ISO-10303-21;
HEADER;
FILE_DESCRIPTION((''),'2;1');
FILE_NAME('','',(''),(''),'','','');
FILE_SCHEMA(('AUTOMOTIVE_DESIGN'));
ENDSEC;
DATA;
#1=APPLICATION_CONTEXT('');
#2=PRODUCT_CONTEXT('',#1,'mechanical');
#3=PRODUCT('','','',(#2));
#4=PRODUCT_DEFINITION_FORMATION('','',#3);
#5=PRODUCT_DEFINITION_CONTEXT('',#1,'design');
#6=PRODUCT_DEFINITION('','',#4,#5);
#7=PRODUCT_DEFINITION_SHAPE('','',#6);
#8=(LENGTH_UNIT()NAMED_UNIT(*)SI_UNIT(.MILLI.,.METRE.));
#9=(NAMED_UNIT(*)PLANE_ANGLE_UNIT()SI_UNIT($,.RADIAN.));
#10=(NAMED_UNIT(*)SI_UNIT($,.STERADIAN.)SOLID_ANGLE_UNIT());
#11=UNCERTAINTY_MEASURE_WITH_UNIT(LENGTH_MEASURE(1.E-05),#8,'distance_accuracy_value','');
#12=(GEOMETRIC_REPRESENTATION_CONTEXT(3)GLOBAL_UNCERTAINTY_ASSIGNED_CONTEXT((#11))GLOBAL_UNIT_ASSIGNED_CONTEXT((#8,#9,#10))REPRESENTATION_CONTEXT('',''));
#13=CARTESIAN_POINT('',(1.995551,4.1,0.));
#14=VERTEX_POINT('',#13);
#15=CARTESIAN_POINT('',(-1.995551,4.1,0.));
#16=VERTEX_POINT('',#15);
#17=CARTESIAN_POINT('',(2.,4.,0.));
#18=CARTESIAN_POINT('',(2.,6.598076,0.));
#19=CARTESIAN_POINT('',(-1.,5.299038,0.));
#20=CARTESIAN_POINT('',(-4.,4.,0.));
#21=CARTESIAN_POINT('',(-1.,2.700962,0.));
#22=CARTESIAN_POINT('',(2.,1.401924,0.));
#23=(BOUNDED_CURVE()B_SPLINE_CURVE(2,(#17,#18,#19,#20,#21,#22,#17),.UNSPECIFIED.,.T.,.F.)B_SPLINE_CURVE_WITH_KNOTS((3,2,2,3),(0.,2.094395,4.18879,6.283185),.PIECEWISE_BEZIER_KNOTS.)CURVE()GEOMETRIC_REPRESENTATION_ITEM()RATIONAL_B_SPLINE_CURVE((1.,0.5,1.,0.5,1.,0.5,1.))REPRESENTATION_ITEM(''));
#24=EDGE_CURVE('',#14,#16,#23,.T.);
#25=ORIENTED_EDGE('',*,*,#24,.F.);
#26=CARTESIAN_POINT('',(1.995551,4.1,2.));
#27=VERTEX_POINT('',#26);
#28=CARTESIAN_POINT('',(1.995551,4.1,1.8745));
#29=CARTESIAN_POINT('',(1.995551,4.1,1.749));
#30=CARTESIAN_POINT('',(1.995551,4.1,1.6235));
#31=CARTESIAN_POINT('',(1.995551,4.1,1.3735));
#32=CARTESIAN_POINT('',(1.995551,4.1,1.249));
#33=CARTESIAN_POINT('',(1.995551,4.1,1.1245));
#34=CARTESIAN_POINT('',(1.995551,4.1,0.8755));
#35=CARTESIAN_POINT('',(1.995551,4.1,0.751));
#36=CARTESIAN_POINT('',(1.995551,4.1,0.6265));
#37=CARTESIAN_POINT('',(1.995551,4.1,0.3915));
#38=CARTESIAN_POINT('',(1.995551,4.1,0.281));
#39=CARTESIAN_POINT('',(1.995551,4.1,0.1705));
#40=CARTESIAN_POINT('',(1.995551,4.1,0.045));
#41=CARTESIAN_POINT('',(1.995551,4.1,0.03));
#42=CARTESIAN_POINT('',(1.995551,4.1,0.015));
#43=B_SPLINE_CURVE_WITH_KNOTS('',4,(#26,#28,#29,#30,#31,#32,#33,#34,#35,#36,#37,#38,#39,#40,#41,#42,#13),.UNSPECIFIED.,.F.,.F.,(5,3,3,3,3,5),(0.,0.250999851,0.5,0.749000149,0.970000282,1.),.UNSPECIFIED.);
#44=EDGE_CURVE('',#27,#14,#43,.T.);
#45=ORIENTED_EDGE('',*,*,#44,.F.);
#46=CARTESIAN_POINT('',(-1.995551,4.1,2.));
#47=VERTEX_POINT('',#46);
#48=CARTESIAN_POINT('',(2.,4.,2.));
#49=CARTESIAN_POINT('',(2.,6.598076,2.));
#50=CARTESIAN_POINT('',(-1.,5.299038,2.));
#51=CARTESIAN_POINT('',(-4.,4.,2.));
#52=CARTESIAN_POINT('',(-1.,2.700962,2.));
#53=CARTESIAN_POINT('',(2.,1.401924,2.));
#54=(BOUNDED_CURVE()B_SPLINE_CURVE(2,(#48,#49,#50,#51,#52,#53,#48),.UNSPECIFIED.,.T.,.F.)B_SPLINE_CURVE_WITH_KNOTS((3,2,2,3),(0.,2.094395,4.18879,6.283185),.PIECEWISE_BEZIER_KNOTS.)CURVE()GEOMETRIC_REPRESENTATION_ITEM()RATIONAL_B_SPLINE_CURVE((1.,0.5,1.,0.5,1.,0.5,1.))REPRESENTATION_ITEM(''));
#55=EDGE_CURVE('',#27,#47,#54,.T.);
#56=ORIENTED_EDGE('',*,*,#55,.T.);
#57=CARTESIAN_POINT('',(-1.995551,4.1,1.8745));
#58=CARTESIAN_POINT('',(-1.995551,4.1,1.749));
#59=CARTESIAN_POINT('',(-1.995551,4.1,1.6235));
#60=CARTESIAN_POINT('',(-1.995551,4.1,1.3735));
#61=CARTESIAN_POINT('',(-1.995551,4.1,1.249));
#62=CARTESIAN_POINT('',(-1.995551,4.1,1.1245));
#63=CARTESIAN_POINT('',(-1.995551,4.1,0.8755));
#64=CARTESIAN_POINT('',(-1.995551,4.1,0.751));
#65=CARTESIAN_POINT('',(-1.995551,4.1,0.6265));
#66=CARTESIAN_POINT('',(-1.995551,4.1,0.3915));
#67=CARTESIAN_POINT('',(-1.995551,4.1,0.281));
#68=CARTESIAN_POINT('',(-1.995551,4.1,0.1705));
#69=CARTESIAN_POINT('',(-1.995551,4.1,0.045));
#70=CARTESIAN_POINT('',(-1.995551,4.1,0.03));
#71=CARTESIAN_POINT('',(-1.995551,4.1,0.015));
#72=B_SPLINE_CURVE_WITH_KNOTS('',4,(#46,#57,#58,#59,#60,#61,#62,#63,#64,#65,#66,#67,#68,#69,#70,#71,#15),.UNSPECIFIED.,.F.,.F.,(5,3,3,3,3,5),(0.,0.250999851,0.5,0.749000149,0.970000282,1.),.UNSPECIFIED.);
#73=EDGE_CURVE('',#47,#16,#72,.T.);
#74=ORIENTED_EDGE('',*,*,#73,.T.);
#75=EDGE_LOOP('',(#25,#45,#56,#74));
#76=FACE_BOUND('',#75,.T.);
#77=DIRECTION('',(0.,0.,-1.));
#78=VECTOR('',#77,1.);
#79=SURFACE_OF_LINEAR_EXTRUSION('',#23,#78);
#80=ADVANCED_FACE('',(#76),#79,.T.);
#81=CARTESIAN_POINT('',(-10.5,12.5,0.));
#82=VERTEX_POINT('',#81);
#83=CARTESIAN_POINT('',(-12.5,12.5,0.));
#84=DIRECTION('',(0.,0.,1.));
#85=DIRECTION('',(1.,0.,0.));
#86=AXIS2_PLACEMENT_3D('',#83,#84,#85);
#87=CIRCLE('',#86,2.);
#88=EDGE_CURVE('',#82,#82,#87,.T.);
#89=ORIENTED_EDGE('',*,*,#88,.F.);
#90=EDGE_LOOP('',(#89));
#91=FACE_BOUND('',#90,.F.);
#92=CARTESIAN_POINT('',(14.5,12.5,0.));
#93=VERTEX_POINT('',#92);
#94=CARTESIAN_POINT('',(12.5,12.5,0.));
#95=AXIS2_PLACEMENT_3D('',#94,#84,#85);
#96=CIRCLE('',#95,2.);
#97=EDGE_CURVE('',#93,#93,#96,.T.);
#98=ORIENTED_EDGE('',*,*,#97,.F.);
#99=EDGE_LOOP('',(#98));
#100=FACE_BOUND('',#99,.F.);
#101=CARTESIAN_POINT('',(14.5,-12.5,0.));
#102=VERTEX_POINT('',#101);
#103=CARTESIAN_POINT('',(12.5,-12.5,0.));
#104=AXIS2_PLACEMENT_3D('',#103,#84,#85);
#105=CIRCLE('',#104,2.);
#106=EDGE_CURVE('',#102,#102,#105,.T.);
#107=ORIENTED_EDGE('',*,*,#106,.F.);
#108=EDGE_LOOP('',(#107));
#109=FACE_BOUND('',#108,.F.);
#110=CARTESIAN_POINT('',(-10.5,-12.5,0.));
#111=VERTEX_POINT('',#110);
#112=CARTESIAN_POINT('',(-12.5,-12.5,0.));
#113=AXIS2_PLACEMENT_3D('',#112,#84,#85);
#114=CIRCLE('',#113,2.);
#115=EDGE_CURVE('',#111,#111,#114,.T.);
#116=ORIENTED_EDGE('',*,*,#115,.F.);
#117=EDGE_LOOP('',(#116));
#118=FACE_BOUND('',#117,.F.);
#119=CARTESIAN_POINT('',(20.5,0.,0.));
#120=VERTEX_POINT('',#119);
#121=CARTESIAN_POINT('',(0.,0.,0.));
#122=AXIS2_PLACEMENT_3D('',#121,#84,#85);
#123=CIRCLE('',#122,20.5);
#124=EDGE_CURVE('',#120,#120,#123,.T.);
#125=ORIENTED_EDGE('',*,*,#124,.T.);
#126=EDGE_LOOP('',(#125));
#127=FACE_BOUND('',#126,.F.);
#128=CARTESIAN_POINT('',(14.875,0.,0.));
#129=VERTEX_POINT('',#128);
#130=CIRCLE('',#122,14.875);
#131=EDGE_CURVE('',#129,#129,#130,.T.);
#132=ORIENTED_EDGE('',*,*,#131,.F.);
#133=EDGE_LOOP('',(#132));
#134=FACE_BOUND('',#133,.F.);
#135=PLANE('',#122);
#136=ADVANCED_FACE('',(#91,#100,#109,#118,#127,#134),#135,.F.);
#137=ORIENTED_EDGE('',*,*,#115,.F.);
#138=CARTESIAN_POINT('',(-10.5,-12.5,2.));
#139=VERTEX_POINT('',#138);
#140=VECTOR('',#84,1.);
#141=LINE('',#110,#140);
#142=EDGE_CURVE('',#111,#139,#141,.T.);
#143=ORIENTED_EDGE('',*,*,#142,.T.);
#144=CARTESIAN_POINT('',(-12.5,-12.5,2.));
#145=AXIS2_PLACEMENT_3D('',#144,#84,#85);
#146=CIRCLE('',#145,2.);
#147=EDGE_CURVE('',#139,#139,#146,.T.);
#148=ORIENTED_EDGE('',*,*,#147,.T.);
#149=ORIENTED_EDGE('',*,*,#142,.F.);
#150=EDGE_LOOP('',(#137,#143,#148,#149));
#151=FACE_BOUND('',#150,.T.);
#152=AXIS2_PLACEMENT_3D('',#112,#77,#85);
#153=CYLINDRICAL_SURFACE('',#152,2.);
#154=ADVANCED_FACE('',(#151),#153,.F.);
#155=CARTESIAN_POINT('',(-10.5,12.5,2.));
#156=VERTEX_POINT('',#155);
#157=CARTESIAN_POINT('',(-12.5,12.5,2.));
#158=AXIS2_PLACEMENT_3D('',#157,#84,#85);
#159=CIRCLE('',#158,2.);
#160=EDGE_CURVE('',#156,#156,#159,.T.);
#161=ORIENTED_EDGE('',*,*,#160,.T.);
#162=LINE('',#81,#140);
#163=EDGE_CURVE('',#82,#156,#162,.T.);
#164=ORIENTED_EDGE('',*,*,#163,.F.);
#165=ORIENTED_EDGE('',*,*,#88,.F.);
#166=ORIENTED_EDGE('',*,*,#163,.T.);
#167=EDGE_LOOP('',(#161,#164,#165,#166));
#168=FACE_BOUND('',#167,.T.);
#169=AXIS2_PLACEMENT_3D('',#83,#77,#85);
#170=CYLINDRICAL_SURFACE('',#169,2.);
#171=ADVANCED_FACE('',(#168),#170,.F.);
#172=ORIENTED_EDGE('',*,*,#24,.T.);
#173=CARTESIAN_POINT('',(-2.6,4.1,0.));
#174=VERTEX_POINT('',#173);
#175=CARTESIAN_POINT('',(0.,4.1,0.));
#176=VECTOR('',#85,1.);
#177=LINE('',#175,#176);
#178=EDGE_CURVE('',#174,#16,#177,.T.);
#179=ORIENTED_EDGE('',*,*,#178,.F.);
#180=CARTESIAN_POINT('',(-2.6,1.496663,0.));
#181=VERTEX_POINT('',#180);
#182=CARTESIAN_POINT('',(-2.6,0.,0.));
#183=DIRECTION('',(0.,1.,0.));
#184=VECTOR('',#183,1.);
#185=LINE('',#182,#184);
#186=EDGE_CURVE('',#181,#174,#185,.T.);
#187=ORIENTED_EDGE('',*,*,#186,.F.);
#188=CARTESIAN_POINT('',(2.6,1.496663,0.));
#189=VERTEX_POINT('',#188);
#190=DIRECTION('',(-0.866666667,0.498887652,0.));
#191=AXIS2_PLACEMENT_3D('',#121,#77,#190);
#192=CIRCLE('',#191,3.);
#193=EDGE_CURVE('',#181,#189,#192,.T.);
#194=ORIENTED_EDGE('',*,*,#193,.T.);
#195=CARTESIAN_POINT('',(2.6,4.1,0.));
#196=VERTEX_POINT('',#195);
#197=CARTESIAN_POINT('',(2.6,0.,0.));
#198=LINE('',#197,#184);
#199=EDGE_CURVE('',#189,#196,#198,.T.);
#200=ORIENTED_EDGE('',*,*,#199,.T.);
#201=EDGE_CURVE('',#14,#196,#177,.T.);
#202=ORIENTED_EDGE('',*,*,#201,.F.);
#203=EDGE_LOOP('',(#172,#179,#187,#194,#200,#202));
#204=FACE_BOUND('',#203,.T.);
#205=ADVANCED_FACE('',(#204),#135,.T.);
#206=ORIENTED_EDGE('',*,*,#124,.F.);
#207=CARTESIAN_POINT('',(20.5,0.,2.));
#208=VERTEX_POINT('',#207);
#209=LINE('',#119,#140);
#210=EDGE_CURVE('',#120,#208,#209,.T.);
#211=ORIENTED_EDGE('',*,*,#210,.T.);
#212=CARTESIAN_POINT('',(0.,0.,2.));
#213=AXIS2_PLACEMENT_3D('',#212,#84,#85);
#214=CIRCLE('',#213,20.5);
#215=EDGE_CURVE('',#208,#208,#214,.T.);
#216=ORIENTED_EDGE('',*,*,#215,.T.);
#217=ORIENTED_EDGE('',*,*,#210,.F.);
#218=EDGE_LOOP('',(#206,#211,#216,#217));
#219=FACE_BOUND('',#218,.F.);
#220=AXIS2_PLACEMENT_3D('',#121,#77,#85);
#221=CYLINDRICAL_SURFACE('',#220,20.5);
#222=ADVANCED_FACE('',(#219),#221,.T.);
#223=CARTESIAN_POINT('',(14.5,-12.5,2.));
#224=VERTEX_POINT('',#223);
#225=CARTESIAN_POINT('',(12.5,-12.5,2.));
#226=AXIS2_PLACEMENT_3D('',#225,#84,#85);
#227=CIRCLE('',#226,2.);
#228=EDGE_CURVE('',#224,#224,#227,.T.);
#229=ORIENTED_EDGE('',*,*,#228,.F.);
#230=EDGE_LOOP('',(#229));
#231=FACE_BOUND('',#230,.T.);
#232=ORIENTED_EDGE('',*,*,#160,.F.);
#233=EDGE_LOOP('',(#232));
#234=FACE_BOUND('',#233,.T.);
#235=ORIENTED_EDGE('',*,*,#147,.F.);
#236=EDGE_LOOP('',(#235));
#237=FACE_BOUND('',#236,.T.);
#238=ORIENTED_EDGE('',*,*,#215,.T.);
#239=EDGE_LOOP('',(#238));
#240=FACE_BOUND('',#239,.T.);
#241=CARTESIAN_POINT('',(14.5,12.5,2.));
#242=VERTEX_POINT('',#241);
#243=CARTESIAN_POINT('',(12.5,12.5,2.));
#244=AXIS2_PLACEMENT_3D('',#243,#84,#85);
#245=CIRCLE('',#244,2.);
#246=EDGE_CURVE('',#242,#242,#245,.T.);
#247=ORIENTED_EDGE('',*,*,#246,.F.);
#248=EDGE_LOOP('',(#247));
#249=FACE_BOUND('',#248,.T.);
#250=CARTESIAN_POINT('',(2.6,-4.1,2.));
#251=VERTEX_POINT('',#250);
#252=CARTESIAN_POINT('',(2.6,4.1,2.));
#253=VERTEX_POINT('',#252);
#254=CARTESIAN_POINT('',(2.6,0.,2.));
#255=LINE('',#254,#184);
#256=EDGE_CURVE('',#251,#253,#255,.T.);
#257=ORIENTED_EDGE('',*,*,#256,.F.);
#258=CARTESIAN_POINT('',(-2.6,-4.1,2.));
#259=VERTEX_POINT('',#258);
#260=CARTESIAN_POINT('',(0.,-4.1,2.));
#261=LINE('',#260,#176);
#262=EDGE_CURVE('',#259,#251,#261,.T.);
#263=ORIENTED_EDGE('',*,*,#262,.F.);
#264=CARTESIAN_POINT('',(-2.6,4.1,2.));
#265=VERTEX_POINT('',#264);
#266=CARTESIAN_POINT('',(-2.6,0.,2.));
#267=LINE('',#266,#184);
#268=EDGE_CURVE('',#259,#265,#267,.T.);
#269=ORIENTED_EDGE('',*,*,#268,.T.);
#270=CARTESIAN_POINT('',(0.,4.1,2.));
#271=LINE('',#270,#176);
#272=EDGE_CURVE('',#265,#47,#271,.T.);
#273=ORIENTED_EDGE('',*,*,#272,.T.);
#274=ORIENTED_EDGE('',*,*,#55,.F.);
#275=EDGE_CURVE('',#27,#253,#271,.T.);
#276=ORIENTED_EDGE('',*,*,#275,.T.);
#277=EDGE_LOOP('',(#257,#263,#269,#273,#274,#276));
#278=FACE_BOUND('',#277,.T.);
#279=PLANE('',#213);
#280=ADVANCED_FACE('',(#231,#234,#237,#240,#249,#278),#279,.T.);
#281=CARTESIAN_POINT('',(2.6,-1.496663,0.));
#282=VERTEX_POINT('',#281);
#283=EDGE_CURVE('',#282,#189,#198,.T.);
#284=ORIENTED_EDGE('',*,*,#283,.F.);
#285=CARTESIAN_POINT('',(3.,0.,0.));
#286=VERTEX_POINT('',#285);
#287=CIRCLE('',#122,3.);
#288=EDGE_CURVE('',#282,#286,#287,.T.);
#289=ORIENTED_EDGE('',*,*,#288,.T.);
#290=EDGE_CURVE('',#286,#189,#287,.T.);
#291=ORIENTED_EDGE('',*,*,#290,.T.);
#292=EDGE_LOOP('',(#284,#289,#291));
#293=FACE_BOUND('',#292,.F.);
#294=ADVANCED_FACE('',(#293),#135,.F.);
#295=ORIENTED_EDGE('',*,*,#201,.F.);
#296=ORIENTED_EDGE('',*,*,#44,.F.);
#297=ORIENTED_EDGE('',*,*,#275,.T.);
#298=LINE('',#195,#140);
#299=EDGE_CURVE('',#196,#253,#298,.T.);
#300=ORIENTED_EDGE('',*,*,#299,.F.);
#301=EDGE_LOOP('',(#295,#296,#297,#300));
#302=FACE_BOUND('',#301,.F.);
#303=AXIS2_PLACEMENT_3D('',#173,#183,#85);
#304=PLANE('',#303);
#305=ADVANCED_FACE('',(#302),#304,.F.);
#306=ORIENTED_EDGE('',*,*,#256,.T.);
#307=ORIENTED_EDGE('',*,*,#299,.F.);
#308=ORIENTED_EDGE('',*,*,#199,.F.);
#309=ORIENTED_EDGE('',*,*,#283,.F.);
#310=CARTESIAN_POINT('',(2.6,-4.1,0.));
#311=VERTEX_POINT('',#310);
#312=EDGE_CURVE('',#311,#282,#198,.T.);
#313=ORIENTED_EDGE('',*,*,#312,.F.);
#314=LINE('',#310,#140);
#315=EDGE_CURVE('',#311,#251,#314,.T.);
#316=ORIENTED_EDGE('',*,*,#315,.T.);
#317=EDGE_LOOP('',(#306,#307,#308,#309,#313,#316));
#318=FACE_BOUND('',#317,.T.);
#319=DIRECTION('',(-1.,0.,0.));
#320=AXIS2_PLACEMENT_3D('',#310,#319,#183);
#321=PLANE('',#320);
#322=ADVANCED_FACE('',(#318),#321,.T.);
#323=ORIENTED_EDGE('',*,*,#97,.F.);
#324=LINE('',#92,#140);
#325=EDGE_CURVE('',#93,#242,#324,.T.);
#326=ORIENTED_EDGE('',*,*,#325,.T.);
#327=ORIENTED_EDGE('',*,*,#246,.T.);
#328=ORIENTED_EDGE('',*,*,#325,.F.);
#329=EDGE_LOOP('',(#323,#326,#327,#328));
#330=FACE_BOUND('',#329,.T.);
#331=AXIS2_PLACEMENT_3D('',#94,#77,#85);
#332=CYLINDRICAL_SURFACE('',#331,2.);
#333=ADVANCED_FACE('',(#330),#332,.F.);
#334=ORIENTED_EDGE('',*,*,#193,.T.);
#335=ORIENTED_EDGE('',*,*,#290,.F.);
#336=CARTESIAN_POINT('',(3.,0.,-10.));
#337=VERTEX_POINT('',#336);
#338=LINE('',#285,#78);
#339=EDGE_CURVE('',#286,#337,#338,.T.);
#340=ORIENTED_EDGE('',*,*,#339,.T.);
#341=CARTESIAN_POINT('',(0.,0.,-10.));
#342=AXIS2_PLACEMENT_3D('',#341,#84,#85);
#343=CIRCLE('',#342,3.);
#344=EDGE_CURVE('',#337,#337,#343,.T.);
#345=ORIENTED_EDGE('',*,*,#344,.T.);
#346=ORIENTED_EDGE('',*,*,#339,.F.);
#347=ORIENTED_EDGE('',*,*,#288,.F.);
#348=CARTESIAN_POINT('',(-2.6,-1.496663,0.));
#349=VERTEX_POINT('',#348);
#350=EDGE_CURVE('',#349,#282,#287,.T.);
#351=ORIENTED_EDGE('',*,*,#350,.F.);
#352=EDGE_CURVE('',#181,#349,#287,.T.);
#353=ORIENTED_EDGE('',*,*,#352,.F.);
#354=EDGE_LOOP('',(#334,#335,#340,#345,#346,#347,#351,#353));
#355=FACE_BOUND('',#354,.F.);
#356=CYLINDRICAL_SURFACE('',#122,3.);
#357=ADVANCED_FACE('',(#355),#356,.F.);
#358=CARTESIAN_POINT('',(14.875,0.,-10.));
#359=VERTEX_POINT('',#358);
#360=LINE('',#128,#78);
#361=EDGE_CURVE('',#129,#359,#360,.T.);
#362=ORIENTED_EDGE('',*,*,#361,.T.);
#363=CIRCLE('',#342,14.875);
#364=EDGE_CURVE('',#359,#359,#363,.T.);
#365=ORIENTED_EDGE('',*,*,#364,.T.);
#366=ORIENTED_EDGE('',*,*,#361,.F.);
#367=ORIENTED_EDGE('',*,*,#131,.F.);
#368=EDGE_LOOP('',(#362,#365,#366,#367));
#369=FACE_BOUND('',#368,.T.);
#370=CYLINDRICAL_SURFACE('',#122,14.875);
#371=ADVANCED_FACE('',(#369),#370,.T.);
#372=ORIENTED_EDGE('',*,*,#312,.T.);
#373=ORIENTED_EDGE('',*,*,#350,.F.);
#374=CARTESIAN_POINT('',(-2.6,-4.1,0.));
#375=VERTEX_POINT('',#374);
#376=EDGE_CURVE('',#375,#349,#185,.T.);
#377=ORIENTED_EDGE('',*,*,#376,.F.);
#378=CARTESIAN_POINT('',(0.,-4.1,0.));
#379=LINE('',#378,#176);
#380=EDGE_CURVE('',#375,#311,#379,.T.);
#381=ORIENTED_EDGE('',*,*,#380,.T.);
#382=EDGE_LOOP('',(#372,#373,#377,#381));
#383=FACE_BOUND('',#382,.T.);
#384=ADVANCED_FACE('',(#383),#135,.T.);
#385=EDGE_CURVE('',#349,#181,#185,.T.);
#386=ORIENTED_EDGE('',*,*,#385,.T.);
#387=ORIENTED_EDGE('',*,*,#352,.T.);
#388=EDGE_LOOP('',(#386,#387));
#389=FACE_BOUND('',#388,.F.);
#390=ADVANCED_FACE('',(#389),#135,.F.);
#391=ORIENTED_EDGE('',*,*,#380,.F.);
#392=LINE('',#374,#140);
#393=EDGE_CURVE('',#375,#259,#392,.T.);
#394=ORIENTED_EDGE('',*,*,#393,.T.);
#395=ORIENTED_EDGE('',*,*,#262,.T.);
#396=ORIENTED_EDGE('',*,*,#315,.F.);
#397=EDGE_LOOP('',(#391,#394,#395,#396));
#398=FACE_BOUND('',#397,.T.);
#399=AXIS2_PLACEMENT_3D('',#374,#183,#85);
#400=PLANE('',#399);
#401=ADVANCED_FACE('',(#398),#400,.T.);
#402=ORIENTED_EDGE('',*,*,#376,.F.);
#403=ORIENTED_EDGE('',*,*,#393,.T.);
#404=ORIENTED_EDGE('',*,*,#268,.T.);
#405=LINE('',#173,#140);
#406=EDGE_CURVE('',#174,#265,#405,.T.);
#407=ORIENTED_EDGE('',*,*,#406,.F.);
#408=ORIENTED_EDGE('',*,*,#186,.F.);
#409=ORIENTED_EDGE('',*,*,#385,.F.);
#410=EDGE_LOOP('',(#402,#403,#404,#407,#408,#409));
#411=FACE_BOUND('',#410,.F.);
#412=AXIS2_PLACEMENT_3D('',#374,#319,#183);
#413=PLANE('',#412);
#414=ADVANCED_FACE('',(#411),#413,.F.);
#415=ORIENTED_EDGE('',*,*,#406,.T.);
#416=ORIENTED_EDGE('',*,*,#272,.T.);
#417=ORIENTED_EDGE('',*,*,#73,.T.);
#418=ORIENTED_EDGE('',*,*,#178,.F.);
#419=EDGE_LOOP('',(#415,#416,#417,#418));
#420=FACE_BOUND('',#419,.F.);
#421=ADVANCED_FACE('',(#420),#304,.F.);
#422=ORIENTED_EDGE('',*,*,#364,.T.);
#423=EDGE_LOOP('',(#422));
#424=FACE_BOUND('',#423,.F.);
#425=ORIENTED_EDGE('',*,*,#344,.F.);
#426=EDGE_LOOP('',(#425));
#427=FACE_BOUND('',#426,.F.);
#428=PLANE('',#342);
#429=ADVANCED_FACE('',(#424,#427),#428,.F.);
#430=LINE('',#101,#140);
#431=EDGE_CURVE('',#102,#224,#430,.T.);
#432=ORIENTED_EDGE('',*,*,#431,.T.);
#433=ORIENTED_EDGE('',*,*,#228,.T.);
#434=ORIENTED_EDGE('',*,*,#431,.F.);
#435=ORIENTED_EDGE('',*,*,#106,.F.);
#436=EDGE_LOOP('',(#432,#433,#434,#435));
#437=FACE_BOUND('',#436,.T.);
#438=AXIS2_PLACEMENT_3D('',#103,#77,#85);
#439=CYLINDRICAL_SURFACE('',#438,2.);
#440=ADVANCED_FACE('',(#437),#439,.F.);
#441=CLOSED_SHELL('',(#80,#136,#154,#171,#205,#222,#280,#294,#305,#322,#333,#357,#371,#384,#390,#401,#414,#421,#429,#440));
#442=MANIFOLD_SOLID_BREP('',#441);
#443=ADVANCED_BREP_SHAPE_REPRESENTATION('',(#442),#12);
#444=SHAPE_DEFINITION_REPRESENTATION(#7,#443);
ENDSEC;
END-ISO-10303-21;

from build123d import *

# Parameters (mm, degrees)
F0_R      = 20.5
F1_DEPTH  = 2
F2_R      = 14.875
F3_DEPTH  = 10
F4_R      = 2
F5_DEPTH  = 2
F6_R      = 3
F7_DEPTH  = 10
F8_W      = 5.2
F8_H      = 8.2
F9_DEPTH  = 2
F11_DEPTH = 2


with BuildPart() as f1:
    # F0 (on Top) → F1 (new body)
    with BuildSketch(Plane.XY):
        Circle(F0_R)
    extrude(amount=F1_DEPTH)

    # F2 (on Top) → F3 (join)
    with BuildSketch(Plane.XY):
        Circle(F2_R)
    extrude(amount=-F3_DEPTH)

    # F4 (on Top) → F5 (cut)
    with BuildSketch(Plane.XY):
        with Locations((-12.5, 12.5)):
            Circle(F4_R)
        with Locations((12.5, 12.5)):
            Circle(F4_R)
        with Locations((12.5, -12.5)):
            Circle(F4_R)
        with Locations((-12.5, -12.5)):
            Circle(F4_R)
    extrude(amount=F5_DEPTH, mode=Mode.SUBTRACT)

    # F6 (on Top) → F7 (cut)
    with BuildSketch(Plane.XY):
        Circle(F6_R)
    extrude(amount=-F7_DEPTH, mode=Mode.SUBTRACT)

    # F8 (on Top) → F9 (cut)
    with BuildSketch(Plane.XY):
        Rectangle(F8_W, F8_H)
    extrude(amount=F9_DEPTH, mode=Mode.SUBTRACT)

    # F10 (on Top) → F11 (cut)
    with BuildSketch(Plane.XY):
        with BuildLine():
            add(Edge.make_bspline(
                [(2, 4), (2, 6.598076), (-1, 5.299038), (-4, 4), (-1, 2.700962), (2, 1.401924), (2, 4)],
                knots=[0, 0, 0, 2.094395, 2.094395, 4.18879, 4.18879, 6.283185, 6.283185, 6.283185], degree=2, weights=[1, 0.5, 1, 0.5, 1, 0.5, 1]))
        make_face()
    extrude(amount=F11_DEPTH, mode=Mode.SUBTRACT)


solid = f1.part
